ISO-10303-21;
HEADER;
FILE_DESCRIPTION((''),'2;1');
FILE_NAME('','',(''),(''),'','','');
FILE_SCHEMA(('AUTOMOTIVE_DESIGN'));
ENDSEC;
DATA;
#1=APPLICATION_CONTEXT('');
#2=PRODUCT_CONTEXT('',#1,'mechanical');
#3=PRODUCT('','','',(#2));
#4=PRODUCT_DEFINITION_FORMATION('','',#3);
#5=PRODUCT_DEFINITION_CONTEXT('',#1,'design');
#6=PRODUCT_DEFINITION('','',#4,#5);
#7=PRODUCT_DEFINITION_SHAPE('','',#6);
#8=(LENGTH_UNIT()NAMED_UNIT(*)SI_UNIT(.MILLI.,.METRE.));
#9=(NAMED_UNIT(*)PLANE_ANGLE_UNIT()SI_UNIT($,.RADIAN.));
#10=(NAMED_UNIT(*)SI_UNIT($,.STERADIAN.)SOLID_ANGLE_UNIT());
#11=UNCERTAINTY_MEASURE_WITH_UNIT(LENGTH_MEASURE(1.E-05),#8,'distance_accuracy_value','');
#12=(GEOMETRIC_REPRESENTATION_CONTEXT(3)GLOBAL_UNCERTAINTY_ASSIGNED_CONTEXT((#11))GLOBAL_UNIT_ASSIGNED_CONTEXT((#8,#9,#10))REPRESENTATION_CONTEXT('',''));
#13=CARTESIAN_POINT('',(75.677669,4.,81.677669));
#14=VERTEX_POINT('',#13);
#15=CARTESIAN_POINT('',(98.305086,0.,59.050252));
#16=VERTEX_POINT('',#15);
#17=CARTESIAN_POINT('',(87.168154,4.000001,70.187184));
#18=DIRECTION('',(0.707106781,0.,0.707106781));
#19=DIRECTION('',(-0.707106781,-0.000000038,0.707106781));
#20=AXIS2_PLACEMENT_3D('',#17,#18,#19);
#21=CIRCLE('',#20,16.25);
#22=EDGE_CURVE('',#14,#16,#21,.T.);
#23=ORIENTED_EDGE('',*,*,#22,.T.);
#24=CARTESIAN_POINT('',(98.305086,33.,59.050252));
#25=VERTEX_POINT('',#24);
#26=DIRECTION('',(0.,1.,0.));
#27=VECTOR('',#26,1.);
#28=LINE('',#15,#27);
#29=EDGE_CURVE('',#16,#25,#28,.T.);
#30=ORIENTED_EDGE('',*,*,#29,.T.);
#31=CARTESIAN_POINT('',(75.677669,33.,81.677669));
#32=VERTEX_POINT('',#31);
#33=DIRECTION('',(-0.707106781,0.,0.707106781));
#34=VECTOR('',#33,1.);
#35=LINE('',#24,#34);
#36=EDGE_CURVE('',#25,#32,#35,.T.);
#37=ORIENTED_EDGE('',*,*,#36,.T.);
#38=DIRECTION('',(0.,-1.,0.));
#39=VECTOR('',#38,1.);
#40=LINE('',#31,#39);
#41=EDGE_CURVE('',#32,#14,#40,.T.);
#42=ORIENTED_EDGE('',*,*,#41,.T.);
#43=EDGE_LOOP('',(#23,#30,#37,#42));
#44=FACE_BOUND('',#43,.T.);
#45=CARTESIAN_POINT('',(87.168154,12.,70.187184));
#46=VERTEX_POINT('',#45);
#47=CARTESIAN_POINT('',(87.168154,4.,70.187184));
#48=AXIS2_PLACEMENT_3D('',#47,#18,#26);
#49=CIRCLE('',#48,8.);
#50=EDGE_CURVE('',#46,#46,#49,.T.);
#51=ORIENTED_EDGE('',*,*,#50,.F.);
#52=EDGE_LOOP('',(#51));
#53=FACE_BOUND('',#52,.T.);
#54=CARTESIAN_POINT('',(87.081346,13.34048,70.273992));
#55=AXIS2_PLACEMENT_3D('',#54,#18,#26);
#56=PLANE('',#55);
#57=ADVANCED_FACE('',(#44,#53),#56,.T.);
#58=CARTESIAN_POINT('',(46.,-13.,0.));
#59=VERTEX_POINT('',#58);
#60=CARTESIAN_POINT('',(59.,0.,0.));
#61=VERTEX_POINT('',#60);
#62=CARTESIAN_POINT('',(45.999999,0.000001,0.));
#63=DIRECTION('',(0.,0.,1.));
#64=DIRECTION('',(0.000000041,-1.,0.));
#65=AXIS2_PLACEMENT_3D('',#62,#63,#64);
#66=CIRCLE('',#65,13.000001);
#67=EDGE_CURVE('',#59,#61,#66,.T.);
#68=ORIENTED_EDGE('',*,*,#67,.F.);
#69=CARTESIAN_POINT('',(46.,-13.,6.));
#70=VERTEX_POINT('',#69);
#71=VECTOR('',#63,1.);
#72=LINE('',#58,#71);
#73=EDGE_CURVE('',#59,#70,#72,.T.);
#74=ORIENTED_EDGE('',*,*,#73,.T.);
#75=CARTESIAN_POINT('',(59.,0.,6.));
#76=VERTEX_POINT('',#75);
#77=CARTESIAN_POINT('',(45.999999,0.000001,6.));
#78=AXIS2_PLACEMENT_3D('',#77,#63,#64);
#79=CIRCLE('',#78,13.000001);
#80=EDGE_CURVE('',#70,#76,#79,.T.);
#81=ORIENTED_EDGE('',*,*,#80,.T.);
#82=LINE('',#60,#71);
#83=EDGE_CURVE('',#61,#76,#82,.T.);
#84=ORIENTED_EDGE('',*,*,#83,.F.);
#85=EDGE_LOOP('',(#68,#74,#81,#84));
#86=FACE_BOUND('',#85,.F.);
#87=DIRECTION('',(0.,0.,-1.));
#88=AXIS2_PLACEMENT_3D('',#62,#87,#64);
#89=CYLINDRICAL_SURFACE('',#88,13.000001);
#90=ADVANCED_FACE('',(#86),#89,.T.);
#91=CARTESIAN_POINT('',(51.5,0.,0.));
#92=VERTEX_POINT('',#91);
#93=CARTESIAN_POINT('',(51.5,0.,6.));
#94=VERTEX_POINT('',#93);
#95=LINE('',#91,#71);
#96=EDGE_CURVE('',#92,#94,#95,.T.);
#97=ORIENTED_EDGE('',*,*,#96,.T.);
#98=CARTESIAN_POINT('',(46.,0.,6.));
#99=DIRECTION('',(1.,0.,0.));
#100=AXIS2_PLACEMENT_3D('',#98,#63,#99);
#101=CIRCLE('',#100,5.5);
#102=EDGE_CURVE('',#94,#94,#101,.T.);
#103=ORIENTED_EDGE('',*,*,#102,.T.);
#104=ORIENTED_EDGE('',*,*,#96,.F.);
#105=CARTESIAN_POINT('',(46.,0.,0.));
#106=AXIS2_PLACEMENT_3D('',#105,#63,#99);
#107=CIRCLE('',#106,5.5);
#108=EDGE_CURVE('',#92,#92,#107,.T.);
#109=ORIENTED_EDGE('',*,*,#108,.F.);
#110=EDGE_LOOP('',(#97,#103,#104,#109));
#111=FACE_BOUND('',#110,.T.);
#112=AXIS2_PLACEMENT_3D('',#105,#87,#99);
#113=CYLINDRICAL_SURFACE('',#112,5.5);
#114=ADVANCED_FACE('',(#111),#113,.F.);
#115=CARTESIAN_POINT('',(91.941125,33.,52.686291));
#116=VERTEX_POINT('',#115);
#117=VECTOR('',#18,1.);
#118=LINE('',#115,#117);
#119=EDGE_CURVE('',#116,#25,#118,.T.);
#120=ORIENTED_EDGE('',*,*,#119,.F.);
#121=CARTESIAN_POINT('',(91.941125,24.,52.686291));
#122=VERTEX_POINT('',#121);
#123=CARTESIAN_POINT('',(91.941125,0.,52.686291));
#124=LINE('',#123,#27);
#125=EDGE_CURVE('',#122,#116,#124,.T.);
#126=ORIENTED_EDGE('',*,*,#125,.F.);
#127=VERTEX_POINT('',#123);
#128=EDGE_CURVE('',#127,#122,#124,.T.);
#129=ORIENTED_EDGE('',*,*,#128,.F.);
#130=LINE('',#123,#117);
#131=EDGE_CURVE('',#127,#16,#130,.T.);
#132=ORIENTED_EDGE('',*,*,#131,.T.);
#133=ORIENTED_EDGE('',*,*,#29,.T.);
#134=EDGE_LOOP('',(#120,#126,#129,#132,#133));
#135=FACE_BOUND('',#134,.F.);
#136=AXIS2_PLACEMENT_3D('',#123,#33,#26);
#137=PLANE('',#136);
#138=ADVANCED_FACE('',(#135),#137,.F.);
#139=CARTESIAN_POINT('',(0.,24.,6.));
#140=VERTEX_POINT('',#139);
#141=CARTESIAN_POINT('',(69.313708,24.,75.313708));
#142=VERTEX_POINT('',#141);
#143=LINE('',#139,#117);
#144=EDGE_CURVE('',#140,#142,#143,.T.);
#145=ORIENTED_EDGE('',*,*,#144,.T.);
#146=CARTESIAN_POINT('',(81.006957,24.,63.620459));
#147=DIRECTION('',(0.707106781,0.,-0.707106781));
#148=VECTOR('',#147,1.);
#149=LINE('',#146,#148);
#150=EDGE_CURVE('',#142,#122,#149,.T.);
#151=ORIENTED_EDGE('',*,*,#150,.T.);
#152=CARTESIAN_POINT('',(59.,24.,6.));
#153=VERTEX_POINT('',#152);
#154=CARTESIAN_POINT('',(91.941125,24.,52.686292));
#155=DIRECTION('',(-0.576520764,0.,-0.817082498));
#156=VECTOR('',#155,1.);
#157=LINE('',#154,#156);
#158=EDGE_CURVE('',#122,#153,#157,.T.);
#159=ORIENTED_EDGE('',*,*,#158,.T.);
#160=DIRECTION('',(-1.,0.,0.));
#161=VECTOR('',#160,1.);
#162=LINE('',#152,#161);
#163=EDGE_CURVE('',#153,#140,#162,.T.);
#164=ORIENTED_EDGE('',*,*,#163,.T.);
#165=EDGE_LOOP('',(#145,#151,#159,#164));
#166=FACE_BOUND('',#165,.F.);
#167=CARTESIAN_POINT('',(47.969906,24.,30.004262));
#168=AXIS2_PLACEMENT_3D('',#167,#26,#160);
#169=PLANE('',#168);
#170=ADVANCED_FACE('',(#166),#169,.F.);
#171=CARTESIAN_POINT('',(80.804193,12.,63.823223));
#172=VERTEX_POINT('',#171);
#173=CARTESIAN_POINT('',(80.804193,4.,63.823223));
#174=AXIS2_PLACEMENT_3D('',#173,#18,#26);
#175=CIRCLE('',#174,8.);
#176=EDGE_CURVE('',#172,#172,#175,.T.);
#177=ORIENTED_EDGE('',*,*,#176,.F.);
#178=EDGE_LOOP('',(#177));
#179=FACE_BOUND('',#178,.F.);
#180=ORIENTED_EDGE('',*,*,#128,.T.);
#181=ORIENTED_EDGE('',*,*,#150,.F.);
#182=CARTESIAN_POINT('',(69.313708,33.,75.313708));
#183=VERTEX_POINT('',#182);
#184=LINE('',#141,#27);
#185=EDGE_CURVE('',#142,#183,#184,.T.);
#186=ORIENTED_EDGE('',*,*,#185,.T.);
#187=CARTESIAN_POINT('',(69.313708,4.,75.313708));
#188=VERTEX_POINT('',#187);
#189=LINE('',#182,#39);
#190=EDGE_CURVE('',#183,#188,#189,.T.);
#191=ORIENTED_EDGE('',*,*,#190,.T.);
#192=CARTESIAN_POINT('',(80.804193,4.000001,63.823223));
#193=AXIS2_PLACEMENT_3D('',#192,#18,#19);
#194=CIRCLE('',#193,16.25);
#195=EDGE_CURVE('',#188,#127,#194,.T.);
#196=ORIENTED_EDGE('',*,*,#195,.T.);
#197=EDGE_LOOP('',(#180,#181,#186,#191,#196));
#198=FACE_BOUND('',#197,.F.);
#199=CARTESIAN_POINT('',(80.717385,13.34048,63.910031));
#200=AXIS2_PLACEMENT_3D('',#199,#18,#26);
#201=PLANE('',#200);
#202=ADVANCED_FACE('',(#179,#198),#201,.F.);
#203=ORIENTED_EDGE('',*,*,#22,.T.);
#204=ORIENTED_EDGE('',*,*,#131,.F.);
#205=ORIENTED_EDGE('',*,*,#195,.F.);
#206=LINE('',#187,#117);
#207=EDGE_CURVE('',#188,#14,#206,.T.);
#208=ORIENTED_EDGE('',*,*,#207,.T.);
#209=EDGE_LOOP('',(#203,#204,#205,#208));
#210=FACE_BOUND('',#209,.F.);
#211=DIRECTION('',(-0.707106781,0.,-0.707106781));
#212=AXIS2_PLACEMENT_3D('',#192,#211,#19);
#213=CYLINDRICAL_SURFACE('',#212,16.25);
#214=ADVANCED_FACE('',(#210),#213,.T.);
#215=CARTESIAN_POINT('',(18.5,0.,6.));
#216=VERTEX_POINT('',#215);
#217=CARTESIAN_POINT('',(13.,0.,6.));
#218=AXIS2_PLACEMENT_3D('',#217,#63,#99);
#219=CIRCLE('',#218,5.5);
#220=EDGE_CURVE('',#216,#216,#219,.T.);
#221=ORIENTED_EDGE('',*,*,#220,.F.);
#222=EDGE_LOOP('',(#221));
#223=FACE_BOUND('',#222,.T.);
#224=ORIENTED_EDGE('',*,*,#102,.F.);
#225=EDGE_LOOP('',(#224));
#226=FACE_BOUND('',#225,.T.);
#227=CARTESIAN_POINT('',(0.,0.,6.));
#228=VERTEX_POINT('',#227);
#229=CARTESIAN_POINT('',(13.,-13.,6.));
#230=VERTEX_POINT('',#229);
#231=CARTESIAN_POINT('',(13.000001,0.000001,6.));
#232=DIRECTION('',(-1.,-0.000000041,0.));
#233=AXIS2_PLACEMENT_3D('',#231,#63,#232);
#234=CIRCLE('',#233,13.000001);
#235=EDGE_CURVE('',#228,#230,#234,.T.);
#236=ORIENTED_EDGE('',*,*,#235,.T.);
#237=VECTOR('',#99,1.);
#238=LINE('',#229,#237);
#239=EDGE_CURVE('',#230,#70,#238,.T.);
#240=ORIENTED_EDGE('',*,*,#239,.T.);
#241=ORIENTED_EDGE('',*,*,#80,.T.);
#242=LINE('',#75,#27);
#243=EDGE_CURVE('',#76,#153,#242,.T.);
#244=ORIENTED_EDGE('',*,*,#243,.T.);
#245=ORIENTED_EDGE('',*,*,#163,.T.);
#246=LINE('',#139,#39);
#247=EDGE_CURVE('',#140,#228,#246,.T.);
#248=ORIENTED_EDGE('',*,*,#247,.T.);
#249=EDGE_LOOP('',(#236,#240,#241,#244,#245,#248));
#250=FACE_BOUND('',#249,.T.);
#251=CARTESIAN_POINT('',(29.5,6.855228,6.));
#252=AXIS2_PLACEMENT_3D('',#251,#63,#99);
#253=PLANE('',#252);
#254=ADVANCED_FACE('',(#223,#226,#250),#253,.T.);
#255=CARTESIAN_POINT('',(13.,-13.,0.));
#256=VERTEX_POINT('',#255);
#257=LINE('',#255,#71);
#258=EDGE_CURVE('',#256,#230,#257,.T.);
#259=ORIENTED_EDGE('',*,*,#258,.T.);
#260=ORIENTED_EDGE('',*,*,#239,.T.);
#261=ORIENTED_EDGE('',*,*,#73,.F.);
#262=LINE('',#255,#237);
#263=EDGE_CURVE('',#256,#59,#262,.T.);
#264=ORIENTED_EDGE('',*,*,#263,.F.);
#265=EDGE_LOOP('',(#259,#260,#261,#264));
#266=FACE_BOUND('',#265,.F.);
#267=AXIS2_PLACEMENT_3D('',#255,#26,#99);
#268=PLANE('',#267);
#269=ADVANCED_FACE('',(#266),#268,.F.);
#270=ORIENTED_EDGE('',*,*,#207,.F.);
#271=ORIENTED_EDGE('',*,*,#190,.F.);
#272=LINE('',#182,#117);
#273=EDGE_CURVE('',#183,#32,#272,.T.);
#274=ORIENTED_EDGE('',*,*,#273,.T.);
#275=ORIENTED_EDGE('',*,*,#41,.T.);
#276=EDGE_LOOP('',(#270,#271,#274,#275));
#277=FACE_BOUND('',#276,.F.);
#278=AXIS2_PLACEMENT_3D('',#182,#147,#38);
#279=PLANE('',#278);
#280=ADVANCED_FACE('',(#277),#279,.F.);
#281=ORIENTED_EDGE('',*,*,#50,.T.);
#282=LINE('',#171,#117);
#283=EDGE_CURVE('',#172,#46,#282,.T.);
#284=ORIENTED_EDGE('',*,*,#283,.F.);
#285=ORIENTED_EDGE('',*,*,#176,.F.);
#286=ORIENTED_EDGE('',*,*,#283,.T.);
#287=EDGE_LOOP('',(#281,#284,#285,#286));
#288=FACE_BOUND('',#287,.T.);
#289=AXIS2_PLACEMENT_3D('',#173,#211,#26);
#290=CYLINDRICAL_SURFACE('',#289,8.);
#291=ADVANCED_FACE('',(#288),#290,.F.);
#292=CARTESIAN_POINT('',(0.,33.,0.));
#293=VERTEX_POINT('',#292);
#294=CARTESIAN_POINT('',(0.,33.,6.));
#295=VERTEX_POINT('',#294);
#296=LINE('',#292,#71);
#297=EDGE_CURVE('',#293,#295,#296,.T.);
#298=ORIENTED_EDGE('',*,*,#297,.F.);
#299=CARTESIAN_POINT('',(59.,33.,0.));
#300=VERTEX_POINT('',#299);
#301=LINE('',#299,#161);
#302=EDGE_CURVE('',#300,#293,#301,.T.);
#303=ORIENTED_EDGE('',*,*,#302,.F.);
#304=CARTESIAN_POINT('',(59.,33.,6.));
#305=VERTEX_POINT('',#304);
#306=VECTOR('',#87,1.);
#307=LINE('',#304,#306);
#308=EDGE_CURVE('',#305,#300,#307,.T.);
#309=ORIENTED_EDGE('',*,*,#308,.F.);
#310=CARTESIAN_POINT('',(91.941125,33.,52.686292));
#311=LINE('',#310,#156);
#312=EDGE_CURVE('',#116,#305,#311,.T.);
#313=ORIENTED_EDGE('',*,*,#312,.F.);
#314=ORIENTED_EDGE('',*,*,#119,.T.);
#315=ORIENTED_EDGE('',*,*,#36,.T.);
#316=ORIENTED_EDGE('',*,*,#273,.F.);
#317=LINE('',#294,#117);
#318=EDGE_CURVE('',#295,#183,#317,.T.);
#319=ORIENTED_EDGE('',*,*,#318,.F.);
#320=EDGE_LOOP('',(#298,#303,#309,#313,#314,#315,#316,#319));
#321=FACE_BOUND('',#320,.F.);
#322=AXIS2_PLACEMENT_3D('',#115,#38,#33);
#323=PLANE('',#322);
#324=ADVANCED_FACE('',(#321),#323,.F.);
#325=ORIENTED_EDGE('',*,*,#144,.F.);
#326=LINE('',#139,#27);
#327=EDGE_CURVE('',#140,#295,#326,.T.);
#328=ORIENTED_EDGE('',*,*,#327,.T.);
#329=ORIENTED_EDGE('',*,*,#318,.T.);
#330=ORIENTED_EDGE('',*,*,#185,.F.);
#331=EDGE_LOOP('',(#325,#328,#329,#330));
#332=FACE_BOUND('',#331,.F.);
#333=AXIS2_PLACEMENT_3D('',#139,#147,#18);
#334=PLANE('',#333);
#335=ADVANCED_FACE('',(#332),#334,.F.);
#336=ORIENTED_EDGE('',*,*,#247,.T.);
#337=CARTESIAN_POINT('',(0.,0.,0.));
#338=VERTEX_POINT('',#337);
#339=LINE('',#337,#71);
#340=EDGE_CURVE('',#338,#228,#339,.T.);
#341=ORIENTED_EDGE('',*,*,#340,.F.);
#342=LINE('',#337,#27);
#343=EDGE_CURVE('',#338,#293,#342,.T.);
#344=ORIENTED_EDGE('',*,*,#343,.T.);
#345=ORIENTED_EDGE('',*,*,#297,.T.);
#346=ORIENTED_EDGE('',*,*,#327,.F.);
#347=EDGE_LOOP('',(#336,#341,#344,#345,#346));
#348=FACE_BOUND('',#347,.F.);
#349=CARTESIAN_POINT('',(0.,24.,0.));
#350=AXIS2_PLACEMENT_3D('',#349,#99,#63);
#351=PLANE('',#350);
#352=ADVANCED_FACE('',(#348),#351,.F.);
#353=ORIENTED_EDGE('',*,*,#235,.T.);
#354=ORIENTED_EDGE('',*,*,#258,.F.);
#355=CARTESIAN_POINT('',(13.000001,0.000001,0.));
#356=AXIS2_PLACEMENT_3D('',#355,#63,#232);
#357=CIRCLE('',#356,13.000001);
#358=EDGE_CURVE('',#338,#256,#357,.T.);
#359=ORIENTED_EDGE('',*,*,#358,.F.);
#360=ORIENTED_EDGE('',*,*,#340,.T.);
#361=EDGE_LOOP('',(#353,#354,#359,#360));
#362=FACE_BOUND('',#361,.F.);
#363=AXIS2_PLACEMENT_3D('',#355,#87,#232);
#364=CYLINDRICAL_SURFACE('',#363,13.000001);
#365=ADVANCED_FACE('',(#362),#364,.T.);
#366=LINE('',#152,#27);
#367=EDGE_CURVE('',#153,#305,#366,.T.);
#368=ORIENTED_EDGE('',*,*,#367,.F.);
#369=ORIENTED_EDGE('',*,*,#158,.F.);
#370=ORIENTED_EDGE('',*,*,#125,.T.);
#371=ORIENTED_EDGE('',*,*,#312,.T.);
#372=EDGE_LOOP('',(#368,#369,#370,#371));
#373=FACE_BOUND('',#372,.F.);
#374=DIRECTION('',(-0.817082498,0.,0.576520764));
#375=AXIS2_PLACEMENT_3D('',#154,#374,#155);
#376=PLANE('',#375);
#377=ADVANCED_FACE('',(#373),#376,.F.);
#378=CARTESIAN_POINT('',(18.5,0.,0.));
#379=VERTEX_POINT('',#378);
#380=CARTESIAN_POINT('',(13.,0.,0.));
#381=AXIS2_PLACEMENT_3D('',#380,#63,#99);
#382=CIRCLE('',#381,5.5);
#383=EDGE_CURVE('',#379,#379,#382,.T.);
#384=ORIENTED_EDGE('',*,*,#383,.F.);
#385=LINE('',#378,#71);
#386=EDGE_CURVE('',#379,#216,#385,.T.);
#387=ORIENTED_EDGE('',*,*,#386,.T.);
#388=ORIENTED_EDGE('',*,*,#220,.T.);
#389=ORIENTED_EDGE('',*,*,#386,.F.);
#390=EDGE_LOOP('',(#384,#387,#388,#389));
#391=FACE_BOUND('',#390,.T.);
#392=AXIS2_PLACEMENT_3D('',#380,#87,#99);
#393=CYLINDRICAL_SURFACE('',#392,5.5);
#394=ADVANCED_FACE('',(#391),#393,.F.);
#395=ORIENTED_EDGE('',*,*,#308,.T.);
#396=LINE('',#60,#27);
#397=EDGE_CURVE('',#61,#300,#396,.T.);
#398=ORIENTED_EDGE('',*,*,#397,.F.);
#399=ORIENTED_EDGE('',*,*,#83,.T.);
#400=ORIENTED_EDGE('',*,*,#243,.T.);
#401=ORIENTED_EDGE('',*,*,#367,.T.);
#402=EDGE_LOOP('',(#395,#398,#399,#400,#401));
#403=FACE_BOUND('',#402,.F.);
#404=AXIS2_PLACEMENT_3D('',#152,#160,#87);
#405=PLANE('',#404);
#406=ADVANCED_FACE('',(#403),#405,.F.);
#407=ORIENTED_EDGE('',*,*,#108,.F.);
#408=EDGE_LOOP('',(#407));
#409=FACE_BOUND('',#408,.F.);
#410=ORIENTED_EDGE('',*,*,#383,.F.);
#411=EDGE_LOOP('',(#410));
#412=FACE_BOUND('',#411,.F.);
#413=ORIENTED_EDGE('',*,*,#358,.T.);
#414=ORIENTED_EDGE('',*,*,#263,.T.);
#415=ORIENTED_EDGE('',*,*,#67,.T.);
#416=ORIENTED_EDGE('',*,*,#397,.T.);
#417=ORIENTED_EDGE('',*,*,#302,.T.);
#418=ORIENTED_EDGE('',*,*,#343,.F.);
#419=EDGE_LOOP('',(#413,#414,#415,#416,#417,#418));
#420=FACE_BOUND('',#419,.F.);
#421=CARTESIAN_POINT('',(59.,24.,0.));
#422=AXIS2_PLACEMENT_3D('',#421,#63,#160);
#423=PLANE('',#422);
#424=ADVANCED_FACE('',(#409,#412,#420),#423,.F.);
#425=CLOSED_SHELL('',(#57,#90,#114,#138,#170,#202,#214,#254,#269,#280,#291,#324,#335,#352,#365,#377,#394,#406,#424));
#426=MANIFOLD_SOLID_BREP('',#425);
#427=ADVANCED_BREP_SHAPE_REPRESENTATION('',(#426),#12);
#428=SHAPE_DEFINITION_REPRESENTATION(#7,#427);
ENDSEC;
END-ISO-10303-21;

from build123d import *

# Parameters (mm, degrees)
F0_R     = 5.5
F1_DEPTH = 6
F3_DEPTH = 9
F4_R     = 8
F5_DEPTH = 9


with BuildPart() as f1:
    # F0 (on Top) → F1 (new body)
    with BuildSketch(Plane.XY):
        with BuildLine():
            Line((59, 24), (0, 24))
            Line((0, 24), (0, 0))
            ThreePointArc((0, 0), (3.807612, -9.192388), (13, -13))
            Line((13, -13), (46, -13))
            ThreePointArc((46, -13), (55.192388, -9.192388), (59, 0))
            Line((59, 0), (59, 24))
        make_face()
        with Locations((13, 0)):
            Circle(F0_R, mode=Mode.SUBTRACT)
        with Locations((46, 0)):
            Circle(F0_R, mode=Mode.SUBTRACT)
    extrude(amount=F1_DEPTH)

    # F2 (on face) → F3 (join)
    with BuildSketch(Plane(origin=(0, 24, 0), x_dir=(-1, 0, 0), z_dir=(0, 1, 0))):
        Polygon((-91.941125, 52.686292), (-59, 6), (-59, 0), (0, 0), (0, 6), (-69.313708, 75.313708), align=None)
    extrude(amount=F3_DEPTH)

    # F4 (on face) → F5 (join)
    with BuildSketch(Plane(origin=(72.313708, 0, 72.313708), x_dir=(0, 1, 0), z_dir=(0.707107, 0, 0.707107))):
        with BuildLine():
            Line((33, 4.242641), (4, 4.242641))
            ThreePointArc((4, 4.242641), (-12.124515, -9.991795), (0, -27.757359))
            Line((0, -27.757359), (33, -27.757359))
            Line((33, -27.757359), (33, 4.242641))
        make_face()
        with Locations((4, -12.007359)):
            Circle(F4_R, mode=Mode.SUBTRACT)
    extrude(amount=F5_DEPTH)


solid = f1.part
